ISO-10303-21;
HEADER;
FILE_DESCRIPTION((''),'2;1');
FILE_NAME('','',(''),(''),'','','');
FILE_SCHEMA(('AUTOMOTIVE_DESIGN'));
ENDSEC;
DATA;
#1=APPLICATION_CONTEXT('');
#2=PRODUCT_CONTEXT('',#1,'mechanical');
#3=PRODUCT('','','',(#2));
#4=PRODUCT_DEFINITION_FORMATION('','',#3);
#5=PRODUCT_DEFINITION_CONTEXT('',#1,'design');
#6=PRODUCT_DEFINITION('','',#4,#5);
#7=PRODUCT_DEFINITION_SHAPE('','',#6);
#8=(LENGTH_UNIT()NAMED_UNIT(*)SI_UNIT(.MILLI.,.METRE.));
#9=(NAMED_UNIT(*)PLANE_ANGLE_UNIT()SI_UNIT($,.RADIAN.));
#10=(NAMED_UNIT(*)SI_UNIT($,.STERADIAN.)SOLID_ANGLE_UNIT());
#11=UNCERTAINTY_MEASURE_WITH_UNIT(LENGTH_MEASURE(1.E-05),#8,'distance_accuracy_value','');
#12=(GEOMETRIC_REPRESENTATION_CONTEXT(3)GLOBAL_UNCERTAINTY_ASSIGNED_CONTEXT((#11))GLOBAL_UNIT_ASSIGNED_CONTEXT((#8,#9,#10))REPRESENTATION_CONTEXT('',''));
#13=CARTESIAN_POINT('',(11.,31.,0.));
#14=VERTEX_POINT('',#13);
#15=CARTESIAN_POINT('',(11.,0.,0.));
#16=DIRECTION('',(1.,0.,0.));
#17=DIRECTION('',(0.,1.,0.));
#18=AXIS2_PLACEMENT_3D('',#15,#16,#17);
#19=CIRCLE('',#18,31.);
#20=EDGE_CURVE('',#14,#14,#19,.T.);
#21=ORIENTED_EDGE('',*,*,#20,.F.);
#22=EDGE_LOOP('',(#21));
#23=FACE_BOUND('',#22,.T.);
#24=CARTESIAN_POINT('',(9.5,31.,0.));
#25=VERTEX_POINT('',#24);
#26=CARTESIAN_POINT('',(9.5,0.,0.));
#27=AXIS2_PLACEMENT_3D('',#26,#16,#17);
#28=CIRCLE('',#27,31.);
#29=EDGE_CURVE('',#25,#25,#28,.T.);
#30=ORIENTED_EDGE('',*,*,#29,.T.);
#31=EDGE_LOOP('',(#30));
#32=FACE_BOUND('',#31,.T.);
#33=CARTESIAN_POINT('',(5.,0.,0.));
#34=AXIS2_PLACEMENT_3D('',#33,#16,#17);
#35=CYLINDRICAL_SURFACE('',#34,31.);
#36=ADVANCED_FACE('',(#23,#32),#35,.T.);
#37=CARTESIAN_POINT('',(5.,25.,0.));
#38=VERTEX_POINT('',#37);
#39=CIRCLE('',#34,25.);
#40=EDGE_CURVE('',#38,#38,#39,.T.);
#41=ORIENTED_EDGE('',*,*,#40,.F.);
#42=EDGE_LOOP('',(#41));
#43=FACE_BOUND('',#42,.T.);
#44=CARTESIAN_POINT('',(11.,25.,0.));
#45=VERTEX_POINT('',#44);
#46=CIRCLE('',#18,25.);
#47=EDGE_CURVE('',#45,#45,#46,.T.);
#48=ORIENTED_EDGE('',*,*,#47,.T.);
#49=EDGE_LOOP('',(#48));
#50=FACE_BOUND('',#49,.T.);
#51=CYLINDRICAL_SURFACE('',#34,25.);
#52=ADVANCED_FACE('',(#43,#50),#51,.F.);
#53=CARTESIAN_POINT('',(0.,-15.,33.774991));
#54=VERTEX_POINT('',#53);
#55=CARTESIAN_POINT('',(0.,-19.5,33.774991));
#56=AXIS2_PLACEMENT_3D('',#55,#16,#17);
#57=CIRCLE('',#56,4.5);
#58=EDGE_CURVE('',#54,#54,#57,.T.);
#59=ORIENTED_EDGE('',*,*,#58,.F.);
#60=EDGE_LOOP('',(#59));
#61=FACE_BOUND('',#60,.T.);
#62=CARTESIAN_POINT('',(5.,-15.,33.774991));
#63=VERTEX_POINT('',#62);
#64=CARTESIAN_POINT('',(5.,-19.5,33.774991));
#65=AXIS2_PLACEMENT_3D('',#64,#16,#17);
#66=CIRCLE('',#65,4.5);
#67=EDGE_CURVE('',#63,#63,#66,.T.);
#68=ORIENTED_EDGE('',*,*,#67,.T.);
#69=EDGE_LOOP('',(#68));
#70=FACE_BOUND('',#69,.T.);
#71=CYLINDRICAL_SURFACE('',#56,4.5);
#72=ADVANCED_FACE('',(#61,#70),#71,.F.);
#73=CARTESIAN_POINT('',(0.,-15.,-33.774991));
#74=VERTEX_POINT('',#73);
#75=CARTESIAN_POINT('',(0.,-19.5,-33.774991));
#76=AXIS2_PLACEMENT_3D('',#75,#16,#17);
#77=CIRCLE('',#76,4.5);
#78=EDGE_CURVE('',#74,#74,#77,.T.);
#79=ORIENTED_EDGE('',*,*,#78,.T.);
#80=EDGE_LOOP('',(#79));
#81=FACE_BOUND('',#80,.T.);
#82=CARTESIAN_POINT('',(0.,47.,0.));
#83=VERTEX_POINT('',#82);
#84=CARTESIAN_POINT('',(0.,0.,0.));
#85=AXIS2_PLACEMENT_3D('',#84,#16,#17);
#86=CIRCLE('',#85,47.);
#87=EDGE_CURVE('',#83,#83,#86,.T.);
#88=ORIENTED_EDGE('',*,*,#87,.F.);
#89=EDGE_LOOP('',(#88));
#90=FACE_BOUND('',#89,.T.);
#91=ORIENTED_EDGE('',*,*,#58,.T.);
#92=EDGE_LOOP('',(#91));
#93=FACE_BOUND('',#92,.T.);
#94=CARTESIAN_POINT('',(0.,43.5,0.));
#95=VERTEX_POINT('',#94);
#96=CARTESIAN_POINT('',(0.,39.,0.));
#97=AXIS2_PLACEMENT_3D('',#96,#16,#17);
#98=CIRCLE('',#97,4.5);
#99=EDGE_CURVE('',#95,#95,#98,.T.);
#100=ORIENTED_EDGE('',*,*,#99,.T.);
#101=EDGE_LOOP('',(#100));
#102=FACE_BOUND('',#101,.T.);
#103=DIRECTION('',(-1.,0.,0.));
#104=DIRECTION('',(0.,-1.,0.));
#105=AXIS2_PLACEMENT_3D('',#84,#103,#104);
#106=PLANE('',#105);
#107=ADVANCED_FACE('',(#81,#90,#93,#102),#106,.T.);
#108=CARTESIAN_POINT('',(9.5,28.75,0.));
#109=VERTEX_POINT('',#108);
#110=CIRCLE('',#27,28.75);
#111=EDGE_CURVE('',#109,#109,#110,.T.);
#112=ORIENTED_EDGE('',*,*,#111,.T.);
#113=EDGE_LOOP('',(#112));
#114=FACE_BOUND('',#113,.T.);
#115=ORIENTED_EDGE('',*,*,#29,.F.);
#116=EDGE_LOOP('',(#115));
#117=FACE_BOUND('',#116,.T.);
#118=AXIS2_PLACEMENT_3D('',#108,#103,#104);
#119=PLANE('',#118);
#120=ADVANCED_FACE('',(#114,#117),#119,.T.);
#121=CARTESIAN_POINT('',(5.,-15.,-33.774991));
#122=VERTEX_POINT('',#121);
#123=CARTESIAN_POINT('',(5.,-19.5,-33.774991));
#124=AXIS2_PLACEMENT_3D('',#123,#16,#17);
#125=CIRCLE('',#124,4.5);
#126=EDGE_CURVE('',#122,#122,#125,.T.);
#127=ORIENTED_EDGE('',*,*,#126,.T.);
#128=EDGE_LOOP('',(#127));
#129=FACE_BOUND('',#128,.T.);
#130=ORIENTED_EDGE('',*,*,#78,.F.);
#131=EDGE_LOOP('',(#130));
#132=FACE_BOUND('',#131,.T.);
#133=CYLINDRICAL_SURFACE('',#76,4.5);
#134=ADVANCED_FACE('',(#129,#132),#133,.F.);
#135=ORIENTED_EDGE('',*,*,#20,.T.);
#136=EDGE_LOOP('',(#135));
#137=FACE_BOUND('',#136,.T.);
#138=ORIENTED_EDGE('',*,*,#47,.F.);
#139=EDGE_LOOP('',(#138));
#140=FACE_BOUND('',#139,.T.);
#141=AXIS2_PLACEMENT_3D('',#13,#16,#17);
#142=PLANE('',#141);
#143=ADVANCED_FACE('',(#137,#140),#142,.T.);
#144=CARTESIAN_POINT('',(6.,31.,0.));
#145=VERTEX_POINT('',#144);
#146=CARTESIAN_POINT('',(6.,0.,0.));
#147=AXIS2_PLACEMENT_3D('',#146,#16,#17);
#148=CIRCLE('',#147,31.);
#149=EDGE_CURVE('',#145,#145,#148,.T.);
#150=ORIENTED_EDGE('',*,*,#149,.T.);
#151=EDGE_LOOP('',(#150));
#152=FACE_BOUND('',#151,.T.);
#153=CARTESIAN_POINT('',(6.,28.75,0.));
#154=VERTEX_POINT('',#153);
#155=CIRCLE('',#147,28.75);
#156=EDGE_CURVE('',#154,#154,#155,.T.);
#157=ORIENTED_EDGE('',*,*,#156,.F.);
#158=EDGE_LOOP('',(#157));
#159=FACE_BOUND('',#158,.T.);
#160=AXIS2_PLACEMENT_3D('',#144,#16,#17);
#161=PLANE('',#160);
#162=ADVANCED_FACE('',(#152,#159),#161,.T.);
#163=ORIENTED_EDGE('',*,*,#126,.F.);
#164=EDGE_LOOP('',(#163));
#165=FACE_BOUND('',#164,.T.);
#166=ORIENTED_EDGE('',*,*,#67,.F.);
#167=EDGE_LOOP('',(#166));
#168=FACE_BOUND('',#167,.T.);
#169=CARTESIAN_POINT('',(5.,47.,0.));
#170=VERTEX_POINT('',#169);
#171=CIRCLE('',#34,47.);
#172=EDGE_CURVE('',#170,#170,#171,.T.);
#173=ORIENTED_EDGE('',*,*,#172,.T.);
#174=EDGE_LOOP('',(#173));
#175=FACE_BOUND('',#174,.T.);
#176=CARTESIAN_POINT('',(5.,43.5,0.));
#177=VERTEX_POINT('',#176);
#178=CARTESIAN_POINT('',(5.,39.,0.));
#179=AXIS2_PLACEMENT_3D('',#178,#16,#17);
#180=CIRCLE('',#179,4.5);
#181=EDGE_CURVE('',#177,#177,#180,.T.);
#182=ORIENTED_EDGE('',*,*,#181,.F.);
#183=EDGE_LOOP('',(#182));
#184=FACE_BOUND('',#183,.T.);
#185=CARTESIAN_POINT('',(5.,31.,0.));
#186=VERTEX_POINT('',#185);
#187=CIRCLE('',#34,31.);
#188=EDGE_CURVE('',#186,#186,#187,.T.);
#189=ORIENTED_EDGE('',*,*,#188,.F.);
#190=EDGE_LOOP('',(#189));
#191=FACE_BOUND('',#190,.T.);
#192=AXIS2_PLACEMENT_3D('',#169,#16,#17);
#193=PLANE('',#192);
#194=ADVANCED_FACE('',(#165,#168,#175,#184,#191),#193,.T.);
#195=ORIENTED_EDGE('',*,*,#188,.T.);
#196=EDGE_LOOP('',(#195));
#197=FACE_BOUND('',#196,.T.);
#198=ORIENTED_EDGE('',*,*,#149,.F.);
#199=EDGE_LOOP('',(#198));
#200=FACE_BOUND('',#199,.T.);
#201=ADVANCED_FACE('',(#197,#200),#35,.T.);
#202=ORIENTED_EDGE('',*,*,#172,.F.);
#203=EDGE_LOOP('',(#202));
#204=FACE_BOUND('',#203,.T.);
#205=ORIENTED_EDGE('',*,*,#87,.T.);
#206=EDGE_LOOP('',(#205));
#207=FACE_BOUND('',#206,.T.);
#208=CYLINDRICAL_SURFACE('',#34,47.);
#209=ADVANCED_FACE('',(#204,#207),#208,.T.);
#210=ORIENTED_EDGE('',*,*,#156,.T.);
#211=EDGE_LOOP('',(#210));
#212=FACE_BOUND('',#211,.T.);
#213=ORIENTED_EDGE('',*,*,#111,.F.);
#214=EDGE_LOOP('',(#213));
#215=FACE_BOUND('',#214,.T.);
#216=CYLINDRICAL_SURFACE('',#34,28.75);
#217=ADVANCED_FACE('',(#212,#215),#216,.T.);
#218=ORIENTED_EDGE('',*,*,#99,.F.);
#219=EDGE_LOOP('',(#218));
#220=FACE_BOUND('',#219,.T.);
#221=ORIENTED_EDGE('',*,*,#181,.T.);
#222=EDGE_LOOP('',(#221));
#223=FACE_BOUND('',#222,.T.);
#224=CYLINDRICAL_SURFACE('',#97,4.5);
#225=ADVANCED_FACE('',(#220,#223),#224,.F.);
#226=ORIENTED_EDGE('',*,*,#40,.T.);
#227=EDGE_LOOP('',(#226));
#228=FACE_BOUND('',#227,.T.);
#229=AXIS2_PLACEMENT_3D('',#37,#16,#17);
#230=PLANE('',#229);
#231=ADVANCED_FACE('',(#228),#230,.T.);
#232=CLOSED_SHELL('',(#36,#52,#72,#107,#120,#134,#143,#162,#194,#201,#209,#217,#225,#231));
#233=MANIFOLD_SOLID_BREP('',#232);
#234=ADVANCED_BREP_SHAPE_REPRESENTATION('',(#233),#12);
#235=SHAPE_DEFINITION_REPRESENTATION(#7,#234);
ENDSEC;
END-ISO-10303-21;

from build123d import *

# Parameters (mm, degrees)
SCHIZZO2_R               = 4.5
TAGLIO_ESTRUSIONE1_DEPTH = 67.738294854


with BuildPart() as part:
    # Schizzo1 → Rivoluzione1 (revolve)
    with BuildSketch(Plane.XY):
        Polygon((0, 0), (0, 47), (5, 47), (5, 31), (6, 31), (6, 28.75), (9.5, 28.75), (9.5, 31), (11, 31), (11, 25), (5, 25), (5, 0), align=None)
    revolve(axis=Axis((5, 0, 0), (-1, 0, 0)))

    # Schizzo2 → Taglio-Estrusione1 (cut, through all)
    with BuildSketch(Plane(origin=(5, 0, 0), x_dir=(0, 0, -1), z_dir=(1, 0, 0))):
        with Locations(Location((0, 39, 0), (0, 0, 90))):
            Circle(SCHIZZO2_R)
        with Locations(Location((33.774990748, -19.5, 0), (0, 0, 90))):
            Circle(SCHIZZO2_R)
        with Locations(Location((-33.774990748, -19.5, 0), (0, 0, 90))):
            Circle(SCHIZZO2_R)
    extrude(amount=-TAGLIO_ESTRUSIONE1_DEPTH, mode=Mode.SUBTRACT)


solid = part.part
